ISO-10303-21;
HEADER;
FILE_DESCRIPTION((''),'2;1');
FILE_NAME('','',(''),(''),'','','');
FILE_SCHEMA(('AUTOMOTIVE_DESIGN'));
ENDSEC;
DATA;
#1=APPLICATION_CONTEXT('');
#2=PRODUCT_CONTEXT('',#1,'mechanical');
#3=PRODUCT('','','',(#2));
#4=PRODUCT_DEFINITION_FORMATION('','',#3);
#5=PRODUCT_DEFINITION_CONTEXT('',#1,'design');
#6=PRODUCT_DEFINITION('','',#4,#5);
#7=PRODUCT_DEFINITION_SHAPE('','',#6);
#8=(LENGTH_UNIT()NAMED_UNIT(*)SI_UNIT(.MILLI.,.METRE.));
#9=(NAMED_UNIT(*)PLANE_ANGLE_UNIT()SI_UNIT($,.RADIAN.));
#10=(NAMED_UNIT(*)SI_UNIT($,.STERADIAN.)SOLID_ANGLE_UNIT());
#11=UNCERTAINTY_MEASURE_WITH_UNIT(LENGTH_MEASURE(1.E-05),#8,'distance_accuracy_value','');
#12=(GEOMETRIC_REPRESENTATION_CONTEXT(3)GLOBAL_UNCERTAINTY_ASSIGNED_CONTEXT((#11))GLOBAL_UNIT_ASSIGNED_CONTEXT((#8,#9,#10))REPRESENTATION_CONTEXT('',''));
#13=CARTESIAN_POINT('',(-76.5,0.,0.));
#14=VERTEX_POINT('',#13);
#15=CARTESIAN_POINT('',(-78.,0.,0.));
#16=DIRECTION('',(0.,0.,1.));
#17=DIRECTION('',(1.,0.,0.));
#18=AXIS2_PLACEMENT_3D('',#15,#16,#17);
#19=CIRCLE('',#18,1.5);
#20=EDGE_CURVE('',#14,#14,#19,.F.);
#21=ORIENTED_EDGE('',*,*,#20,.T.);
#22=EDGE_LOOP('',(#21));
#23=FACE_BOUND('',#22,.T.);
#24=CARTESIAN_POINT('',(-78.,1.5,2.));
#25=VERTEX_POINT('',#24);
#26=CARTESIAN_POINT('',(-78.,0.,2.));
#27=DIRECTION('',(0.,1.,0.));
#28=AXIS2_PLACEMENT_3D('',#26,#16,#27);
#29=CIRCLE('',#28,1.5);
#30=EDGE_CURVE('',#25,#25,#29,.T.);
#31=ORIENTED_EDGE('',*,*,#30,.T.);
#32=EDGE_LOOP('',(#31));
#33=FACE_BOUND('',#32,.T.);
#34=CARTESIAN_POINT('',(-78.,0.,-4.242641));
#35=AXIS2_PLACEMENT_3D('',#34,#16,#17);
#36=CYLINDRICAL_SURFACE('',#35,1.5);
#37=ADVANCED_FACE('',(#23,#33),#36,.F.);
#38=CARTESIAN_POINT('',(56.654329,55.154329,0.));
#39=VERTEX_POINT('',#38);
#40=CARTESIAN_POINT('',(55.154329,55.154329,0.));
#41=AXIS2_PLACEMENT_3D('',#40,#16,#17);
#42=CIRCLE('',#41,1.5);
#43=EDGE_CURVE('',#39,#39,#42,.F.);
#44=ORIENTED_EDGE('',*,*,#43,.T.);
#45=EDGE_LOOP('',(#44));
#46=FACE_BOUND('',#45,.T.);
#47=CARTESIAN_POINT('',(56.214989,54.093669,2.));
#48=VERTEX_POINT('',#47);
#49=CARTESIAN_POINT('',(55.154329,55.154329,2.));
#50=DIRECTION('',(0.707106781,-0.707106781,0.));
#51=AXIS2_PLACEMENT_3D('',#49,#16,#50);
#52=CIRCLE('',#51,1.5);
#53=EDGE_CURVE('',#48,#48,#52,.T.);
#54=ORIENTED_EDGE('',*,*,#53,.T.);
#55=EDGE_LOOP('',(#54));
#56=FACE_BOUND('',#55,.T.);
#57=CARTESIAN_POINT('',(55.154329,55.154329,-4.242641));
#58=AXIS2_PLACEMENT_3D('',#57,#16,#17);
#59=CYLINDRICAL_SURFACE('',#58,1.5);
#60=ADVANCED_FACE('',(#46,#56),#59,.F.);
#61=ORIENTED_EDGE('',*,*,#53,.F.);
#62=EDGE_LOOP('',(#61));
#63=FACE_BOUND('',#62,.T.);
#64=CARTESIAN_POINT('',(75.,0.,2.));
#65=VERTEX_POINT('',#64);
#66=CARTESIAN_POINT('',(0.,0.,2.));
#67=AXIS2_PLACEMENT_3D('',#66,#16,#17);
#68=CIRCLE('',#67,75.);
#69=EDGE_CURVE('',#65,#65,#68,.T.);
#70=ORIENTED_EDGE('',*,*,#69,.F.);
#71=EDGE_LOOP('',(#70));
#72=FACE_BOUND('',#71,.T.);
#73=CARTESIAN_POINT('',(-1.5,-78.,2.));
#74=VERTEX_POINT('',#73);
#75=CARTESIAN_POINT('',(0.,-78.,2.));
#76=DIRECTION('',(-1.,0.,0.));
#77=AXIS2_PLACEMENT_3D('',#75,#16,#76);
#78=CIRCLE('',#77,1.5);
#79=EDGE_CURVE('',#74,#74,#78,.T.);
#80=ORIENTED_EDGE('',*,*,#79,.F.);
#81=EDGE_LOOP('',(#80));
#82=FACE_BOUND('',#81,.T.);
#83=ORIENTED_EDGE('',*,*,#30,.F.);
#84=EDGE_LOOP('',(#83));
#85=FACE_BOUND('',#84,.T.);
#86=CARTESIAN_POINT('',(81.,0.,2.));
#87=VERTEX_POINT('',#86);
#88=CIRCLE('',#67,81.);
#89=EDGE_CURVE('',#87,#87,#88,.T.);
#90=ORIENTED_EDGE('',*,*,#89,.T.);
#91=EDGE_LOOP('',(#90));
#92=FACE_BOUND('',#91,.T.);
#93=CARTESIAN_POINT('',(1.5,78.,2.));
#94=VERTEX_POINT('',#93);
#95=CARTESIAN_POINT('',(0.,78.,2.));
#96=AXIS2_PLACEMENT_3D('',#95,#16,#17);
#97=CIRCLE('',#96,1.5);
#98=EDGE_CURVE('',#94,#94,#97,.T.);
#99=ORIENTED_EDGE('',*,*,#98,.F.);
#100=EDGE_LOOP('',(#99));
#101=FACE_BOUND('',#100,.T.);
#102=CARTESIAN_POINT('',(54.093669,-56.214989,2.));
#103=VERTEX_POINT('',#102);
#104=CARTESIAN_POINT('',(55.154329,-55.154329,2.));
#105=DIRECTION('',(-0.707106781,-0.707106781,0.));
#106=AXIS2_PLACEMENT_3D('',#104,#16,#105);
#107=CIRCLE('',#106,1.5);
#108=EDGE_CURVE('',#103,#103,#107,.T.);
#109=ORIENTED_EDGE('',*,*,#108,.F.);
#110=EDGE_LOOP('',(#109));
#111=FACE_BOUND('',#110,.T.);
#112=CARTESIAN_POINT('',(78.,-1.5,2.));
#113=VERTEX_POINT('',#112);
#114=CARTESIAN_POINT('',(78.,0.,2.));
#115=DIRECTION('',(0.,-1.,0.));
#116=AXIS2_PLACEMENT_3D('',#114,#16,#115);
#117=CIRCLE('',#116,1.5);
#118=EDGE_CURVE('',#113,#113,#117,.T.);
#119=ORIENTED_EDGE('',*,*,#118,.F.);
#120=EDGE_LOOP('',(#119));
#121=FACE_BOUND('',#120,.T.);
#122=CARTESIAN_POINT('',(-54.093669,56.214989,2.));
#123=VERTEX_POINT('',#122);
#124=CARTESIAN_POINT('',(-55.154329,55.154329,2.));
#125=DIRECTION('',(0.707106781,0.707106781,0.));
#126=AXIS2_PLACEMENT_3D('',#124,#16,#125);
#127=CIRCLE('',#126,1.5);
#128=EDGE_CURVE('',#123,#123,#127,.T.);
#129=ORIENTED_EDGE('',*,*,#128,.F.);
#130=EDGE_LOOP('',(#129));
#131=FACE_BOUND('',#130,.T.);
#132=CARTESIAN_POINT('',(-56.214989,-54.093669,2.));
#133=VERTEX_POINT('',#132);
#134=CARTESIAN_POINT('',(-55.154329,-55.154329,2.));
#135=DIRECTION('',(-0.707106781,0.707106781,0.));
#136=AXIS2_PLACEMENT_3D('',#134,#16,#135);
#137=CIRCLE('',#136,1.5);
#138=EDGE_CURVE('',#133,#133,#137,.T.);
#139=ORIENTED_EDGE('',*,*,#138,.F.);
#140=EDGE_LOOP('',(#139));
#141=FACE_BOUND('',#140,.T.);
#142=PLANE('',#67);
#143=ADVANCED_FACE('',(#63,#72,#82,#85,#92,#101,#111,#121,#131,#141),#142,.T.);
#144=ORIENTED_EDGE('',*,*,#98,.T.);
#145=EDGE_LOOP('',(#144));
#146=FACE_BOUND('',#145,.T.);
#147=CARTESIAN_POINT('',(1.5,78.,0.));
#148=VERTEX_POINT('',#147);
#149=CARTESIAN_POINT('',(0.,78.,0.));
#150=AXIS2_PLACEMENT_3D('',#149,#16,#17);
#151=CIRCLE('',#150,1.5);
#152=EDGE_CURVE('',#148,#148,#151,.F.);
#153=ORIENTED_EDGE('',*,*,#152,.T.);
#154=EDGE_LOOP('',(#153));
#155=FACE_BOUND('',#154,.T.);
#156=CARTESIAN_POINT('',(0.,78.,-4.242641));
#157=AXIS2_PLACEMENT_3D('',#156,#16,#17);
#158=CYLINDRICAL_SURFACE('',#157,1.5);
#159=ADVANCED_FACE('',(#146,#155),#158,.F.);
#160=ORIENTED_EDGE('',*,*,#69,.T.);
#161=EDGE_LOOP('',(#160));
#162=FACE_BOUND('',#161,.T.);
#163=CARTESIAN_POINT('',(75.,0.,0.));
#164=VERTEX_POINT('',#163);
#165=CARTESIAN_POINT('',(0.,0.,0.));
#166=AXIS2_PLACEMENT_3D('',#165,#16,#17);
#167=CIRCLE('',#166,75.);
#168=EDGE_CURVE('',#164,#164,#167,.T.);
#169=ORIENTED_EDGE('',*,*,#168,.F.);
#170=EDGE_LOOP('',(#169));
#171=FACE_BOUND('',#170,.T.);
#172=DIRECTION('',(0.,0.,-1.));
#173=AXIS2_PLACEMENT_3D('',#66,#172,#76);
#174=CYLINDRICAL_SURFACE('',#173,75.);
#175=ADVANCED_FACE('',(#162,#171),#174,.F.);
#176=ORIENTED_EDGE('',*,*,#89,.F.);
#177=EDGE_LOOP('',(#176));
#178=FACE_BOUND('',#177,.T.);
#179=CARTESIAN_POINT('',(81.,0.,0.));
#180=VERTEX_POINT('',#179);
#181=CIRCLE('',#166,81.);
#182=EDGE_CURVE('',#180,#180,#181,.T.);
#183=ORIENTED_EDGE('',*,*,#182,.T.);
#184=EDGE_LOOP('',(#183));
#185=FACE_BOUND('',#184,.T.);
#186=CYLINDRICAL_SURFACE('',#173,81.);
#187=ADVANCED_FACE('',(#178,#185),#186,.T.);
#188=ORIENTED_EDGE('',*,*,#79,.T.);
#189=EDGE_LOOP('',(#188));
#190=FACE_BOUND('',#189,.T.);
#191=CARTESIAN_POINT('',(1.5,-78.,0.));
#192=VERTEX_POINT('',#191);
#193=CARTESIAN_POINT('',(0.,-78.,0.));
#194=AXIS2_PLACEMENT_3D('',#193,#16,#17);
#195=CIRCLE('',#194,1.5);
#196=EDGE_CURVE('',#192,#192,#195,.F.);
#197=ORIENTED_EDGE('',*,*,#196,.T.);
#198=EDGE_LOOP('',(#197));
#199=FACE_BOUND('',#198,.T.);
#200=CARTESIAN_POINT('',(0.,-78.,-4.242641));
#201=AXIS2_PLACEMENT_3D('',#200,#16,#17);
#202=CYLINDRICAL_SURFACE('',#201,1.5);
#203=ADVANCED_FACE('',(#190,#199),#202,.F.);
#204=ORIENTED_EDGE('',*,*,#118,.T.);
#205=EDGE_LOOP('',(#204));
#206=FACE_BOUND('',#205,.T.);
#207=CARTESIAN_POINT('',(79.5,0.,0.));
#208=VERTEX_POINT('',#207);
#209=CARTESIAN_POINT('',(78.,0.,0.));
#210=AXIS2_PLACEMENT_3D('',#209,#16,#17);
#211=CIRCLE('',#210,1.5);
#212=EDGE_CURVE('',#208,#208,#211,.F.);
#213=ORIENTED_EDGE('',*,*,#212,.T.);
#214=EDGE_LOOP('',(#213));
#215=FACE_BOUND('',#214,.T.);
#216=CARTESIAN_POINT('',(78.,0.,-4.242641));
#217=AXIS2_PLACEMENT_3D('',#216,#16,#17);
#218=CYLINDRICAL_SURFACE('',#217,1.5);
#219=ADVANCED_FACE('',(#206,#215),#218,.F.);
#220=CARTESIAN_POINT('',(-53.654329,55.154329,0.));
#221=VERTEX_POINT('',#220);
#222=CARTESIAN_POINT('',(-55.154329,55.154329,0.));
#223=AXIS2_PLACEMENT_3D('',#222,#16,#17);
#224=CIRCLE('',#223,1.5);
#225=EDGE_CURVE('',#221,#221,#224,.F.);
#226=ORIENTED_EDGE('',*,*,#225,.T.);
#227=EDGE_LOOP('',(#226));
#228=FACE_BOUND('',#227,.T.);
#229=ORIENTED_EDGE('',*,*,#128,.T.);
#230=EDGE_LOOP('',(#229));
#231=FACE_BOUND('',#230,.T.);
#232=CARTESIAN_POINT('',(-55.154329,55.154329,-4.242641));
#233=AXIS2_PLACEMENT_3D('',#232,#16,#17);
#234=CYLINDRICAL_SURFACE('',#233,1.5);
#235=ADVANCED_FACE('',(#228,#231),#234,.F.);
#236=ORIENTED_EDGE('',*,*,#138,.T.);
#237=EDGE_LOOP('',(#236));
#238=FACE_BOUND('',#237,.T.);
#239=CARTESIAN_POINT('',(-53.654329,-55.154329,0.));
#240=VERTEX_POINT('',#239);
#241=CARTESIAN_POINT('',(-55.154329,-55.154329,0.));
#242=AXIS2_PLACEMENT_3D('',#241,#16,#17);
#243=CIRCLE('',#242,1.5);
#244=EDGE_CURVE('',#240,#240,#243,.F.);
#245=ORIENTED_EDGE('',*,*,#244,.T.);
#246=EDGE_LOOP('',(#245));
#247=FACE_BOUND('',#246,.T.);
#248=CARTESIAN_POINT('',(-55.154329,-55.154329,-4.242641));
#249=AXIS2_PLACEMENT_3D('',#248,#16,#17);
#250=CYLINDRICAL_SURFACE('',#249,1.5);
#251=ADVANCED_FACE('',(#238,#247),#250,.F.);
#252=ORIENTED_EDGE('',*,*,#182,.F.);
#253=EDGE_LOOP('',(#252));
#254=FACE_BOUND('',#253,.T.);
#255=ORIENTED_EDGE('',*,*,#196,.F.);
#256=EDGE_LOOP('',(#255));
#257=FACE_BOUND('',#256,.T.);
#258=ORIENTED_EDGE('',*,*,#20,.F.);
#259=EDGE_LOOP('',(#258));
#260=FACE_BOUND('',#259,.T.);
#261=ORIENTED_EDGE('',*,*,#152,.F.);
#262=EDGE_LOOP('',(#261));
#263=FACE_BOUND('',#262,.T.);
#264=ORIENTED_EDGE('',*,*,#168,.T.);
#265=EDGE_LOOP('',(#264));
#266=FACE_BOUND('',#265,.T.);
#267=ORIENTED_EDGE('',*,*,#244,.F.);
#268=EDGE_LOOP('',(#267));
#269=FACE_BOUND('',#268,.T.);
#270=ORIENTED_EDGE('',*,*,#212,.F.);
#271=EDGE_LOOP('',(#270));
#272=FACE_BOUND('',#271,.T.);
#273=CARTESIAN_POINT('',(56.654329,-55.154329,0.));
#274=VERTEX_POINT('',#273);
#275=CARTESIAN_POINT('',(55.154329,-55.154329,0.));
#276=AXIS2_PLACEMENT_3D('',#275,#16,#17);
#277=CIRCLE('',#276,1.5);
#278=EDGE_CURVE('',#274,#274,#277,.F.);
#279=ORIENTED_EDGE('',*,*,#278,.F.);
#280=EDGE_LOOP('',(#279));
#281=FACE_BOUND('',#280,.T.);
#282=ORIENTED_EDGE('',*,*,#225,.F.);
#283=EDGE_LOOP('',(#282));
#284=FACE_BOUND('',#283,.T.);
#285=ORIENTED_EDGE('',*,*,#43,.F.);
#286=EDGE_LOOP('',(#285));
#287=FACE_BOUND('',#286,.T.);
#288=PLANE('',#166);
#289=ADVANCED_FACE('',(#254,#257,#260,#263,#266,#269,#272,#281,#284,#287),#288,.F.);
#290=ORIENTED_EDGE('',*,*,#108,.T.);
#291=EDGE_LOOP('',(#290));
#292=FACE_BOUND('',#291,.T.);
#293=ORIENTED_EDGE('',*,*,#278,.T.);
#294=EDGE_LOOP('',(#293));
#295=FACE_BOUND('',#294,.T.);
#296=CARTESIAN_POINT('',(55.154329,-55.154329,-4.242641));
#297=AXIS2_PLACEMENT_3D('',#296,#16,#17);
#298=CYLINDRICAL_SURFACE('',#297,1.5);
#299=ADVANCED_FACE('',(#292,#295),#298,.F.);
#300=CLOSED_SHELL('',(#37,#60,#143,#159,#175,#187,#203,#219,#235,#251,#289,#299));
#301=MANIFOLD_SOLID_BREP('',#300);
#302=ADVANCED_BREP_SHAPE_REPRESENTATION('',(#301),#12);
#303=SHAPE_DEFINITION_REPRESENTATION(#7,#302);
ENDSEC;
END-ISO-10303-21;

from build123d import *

# Parameters (mm, degrees)
SZKIC1_R                    = 81
SZKIC1_R_2                  = 75
DODANIE_WYCI_GNI_CIE1_DEPTH = 2
SZKIC2_R                    = 1.5
WYTNIJ_WYCI_GNI_CIE1_DEPTH  = 2
SZYK_KO_OWY1_COUNT          = 8


with BuildPart() as part:
    # Szkic1 → Dodanie-wyciągnięcie1 (new body)
    with BuildSketch(Plane.XY):
        Circle(SZKIC1_R)
        Circle(SZKIC1_R_2, mode=Mode.SUBTRACT)
    extrude(amount=DODANIE_WYCI_GNI_CIE1_DEPTH)

    # Szkic2 → Wytnij-wyciągnięcie1 (cut)
    with BuildSketch(Plane.XY.offset(2)):
        with Locations((0, 78)):
            Circle(SZKIC2_R)
    wytnij_wyci_gni_cie1 = extrude(amount=-WYTNIJ_WYCI_GNI_CIE1_DEPTH, mode=Mode.SUBTRACT)

    # Szyk kołowy1: Wytnij-wyciągnięcie1 ×8 about axis
    szyk_ko_owy1_axis = Axis((0, 0, 0), (0, 0, 1))
    for i in range(1, SZYK_KO_OWY1_COUNT):
        add(wytnij_wyci_gni_cie1.rotate(szyk_ko_owy1_axis, i * 360 / SZYK_KO_OWY1_COUNT), mode=Mode.SUBTRACT)


solid = part.part
